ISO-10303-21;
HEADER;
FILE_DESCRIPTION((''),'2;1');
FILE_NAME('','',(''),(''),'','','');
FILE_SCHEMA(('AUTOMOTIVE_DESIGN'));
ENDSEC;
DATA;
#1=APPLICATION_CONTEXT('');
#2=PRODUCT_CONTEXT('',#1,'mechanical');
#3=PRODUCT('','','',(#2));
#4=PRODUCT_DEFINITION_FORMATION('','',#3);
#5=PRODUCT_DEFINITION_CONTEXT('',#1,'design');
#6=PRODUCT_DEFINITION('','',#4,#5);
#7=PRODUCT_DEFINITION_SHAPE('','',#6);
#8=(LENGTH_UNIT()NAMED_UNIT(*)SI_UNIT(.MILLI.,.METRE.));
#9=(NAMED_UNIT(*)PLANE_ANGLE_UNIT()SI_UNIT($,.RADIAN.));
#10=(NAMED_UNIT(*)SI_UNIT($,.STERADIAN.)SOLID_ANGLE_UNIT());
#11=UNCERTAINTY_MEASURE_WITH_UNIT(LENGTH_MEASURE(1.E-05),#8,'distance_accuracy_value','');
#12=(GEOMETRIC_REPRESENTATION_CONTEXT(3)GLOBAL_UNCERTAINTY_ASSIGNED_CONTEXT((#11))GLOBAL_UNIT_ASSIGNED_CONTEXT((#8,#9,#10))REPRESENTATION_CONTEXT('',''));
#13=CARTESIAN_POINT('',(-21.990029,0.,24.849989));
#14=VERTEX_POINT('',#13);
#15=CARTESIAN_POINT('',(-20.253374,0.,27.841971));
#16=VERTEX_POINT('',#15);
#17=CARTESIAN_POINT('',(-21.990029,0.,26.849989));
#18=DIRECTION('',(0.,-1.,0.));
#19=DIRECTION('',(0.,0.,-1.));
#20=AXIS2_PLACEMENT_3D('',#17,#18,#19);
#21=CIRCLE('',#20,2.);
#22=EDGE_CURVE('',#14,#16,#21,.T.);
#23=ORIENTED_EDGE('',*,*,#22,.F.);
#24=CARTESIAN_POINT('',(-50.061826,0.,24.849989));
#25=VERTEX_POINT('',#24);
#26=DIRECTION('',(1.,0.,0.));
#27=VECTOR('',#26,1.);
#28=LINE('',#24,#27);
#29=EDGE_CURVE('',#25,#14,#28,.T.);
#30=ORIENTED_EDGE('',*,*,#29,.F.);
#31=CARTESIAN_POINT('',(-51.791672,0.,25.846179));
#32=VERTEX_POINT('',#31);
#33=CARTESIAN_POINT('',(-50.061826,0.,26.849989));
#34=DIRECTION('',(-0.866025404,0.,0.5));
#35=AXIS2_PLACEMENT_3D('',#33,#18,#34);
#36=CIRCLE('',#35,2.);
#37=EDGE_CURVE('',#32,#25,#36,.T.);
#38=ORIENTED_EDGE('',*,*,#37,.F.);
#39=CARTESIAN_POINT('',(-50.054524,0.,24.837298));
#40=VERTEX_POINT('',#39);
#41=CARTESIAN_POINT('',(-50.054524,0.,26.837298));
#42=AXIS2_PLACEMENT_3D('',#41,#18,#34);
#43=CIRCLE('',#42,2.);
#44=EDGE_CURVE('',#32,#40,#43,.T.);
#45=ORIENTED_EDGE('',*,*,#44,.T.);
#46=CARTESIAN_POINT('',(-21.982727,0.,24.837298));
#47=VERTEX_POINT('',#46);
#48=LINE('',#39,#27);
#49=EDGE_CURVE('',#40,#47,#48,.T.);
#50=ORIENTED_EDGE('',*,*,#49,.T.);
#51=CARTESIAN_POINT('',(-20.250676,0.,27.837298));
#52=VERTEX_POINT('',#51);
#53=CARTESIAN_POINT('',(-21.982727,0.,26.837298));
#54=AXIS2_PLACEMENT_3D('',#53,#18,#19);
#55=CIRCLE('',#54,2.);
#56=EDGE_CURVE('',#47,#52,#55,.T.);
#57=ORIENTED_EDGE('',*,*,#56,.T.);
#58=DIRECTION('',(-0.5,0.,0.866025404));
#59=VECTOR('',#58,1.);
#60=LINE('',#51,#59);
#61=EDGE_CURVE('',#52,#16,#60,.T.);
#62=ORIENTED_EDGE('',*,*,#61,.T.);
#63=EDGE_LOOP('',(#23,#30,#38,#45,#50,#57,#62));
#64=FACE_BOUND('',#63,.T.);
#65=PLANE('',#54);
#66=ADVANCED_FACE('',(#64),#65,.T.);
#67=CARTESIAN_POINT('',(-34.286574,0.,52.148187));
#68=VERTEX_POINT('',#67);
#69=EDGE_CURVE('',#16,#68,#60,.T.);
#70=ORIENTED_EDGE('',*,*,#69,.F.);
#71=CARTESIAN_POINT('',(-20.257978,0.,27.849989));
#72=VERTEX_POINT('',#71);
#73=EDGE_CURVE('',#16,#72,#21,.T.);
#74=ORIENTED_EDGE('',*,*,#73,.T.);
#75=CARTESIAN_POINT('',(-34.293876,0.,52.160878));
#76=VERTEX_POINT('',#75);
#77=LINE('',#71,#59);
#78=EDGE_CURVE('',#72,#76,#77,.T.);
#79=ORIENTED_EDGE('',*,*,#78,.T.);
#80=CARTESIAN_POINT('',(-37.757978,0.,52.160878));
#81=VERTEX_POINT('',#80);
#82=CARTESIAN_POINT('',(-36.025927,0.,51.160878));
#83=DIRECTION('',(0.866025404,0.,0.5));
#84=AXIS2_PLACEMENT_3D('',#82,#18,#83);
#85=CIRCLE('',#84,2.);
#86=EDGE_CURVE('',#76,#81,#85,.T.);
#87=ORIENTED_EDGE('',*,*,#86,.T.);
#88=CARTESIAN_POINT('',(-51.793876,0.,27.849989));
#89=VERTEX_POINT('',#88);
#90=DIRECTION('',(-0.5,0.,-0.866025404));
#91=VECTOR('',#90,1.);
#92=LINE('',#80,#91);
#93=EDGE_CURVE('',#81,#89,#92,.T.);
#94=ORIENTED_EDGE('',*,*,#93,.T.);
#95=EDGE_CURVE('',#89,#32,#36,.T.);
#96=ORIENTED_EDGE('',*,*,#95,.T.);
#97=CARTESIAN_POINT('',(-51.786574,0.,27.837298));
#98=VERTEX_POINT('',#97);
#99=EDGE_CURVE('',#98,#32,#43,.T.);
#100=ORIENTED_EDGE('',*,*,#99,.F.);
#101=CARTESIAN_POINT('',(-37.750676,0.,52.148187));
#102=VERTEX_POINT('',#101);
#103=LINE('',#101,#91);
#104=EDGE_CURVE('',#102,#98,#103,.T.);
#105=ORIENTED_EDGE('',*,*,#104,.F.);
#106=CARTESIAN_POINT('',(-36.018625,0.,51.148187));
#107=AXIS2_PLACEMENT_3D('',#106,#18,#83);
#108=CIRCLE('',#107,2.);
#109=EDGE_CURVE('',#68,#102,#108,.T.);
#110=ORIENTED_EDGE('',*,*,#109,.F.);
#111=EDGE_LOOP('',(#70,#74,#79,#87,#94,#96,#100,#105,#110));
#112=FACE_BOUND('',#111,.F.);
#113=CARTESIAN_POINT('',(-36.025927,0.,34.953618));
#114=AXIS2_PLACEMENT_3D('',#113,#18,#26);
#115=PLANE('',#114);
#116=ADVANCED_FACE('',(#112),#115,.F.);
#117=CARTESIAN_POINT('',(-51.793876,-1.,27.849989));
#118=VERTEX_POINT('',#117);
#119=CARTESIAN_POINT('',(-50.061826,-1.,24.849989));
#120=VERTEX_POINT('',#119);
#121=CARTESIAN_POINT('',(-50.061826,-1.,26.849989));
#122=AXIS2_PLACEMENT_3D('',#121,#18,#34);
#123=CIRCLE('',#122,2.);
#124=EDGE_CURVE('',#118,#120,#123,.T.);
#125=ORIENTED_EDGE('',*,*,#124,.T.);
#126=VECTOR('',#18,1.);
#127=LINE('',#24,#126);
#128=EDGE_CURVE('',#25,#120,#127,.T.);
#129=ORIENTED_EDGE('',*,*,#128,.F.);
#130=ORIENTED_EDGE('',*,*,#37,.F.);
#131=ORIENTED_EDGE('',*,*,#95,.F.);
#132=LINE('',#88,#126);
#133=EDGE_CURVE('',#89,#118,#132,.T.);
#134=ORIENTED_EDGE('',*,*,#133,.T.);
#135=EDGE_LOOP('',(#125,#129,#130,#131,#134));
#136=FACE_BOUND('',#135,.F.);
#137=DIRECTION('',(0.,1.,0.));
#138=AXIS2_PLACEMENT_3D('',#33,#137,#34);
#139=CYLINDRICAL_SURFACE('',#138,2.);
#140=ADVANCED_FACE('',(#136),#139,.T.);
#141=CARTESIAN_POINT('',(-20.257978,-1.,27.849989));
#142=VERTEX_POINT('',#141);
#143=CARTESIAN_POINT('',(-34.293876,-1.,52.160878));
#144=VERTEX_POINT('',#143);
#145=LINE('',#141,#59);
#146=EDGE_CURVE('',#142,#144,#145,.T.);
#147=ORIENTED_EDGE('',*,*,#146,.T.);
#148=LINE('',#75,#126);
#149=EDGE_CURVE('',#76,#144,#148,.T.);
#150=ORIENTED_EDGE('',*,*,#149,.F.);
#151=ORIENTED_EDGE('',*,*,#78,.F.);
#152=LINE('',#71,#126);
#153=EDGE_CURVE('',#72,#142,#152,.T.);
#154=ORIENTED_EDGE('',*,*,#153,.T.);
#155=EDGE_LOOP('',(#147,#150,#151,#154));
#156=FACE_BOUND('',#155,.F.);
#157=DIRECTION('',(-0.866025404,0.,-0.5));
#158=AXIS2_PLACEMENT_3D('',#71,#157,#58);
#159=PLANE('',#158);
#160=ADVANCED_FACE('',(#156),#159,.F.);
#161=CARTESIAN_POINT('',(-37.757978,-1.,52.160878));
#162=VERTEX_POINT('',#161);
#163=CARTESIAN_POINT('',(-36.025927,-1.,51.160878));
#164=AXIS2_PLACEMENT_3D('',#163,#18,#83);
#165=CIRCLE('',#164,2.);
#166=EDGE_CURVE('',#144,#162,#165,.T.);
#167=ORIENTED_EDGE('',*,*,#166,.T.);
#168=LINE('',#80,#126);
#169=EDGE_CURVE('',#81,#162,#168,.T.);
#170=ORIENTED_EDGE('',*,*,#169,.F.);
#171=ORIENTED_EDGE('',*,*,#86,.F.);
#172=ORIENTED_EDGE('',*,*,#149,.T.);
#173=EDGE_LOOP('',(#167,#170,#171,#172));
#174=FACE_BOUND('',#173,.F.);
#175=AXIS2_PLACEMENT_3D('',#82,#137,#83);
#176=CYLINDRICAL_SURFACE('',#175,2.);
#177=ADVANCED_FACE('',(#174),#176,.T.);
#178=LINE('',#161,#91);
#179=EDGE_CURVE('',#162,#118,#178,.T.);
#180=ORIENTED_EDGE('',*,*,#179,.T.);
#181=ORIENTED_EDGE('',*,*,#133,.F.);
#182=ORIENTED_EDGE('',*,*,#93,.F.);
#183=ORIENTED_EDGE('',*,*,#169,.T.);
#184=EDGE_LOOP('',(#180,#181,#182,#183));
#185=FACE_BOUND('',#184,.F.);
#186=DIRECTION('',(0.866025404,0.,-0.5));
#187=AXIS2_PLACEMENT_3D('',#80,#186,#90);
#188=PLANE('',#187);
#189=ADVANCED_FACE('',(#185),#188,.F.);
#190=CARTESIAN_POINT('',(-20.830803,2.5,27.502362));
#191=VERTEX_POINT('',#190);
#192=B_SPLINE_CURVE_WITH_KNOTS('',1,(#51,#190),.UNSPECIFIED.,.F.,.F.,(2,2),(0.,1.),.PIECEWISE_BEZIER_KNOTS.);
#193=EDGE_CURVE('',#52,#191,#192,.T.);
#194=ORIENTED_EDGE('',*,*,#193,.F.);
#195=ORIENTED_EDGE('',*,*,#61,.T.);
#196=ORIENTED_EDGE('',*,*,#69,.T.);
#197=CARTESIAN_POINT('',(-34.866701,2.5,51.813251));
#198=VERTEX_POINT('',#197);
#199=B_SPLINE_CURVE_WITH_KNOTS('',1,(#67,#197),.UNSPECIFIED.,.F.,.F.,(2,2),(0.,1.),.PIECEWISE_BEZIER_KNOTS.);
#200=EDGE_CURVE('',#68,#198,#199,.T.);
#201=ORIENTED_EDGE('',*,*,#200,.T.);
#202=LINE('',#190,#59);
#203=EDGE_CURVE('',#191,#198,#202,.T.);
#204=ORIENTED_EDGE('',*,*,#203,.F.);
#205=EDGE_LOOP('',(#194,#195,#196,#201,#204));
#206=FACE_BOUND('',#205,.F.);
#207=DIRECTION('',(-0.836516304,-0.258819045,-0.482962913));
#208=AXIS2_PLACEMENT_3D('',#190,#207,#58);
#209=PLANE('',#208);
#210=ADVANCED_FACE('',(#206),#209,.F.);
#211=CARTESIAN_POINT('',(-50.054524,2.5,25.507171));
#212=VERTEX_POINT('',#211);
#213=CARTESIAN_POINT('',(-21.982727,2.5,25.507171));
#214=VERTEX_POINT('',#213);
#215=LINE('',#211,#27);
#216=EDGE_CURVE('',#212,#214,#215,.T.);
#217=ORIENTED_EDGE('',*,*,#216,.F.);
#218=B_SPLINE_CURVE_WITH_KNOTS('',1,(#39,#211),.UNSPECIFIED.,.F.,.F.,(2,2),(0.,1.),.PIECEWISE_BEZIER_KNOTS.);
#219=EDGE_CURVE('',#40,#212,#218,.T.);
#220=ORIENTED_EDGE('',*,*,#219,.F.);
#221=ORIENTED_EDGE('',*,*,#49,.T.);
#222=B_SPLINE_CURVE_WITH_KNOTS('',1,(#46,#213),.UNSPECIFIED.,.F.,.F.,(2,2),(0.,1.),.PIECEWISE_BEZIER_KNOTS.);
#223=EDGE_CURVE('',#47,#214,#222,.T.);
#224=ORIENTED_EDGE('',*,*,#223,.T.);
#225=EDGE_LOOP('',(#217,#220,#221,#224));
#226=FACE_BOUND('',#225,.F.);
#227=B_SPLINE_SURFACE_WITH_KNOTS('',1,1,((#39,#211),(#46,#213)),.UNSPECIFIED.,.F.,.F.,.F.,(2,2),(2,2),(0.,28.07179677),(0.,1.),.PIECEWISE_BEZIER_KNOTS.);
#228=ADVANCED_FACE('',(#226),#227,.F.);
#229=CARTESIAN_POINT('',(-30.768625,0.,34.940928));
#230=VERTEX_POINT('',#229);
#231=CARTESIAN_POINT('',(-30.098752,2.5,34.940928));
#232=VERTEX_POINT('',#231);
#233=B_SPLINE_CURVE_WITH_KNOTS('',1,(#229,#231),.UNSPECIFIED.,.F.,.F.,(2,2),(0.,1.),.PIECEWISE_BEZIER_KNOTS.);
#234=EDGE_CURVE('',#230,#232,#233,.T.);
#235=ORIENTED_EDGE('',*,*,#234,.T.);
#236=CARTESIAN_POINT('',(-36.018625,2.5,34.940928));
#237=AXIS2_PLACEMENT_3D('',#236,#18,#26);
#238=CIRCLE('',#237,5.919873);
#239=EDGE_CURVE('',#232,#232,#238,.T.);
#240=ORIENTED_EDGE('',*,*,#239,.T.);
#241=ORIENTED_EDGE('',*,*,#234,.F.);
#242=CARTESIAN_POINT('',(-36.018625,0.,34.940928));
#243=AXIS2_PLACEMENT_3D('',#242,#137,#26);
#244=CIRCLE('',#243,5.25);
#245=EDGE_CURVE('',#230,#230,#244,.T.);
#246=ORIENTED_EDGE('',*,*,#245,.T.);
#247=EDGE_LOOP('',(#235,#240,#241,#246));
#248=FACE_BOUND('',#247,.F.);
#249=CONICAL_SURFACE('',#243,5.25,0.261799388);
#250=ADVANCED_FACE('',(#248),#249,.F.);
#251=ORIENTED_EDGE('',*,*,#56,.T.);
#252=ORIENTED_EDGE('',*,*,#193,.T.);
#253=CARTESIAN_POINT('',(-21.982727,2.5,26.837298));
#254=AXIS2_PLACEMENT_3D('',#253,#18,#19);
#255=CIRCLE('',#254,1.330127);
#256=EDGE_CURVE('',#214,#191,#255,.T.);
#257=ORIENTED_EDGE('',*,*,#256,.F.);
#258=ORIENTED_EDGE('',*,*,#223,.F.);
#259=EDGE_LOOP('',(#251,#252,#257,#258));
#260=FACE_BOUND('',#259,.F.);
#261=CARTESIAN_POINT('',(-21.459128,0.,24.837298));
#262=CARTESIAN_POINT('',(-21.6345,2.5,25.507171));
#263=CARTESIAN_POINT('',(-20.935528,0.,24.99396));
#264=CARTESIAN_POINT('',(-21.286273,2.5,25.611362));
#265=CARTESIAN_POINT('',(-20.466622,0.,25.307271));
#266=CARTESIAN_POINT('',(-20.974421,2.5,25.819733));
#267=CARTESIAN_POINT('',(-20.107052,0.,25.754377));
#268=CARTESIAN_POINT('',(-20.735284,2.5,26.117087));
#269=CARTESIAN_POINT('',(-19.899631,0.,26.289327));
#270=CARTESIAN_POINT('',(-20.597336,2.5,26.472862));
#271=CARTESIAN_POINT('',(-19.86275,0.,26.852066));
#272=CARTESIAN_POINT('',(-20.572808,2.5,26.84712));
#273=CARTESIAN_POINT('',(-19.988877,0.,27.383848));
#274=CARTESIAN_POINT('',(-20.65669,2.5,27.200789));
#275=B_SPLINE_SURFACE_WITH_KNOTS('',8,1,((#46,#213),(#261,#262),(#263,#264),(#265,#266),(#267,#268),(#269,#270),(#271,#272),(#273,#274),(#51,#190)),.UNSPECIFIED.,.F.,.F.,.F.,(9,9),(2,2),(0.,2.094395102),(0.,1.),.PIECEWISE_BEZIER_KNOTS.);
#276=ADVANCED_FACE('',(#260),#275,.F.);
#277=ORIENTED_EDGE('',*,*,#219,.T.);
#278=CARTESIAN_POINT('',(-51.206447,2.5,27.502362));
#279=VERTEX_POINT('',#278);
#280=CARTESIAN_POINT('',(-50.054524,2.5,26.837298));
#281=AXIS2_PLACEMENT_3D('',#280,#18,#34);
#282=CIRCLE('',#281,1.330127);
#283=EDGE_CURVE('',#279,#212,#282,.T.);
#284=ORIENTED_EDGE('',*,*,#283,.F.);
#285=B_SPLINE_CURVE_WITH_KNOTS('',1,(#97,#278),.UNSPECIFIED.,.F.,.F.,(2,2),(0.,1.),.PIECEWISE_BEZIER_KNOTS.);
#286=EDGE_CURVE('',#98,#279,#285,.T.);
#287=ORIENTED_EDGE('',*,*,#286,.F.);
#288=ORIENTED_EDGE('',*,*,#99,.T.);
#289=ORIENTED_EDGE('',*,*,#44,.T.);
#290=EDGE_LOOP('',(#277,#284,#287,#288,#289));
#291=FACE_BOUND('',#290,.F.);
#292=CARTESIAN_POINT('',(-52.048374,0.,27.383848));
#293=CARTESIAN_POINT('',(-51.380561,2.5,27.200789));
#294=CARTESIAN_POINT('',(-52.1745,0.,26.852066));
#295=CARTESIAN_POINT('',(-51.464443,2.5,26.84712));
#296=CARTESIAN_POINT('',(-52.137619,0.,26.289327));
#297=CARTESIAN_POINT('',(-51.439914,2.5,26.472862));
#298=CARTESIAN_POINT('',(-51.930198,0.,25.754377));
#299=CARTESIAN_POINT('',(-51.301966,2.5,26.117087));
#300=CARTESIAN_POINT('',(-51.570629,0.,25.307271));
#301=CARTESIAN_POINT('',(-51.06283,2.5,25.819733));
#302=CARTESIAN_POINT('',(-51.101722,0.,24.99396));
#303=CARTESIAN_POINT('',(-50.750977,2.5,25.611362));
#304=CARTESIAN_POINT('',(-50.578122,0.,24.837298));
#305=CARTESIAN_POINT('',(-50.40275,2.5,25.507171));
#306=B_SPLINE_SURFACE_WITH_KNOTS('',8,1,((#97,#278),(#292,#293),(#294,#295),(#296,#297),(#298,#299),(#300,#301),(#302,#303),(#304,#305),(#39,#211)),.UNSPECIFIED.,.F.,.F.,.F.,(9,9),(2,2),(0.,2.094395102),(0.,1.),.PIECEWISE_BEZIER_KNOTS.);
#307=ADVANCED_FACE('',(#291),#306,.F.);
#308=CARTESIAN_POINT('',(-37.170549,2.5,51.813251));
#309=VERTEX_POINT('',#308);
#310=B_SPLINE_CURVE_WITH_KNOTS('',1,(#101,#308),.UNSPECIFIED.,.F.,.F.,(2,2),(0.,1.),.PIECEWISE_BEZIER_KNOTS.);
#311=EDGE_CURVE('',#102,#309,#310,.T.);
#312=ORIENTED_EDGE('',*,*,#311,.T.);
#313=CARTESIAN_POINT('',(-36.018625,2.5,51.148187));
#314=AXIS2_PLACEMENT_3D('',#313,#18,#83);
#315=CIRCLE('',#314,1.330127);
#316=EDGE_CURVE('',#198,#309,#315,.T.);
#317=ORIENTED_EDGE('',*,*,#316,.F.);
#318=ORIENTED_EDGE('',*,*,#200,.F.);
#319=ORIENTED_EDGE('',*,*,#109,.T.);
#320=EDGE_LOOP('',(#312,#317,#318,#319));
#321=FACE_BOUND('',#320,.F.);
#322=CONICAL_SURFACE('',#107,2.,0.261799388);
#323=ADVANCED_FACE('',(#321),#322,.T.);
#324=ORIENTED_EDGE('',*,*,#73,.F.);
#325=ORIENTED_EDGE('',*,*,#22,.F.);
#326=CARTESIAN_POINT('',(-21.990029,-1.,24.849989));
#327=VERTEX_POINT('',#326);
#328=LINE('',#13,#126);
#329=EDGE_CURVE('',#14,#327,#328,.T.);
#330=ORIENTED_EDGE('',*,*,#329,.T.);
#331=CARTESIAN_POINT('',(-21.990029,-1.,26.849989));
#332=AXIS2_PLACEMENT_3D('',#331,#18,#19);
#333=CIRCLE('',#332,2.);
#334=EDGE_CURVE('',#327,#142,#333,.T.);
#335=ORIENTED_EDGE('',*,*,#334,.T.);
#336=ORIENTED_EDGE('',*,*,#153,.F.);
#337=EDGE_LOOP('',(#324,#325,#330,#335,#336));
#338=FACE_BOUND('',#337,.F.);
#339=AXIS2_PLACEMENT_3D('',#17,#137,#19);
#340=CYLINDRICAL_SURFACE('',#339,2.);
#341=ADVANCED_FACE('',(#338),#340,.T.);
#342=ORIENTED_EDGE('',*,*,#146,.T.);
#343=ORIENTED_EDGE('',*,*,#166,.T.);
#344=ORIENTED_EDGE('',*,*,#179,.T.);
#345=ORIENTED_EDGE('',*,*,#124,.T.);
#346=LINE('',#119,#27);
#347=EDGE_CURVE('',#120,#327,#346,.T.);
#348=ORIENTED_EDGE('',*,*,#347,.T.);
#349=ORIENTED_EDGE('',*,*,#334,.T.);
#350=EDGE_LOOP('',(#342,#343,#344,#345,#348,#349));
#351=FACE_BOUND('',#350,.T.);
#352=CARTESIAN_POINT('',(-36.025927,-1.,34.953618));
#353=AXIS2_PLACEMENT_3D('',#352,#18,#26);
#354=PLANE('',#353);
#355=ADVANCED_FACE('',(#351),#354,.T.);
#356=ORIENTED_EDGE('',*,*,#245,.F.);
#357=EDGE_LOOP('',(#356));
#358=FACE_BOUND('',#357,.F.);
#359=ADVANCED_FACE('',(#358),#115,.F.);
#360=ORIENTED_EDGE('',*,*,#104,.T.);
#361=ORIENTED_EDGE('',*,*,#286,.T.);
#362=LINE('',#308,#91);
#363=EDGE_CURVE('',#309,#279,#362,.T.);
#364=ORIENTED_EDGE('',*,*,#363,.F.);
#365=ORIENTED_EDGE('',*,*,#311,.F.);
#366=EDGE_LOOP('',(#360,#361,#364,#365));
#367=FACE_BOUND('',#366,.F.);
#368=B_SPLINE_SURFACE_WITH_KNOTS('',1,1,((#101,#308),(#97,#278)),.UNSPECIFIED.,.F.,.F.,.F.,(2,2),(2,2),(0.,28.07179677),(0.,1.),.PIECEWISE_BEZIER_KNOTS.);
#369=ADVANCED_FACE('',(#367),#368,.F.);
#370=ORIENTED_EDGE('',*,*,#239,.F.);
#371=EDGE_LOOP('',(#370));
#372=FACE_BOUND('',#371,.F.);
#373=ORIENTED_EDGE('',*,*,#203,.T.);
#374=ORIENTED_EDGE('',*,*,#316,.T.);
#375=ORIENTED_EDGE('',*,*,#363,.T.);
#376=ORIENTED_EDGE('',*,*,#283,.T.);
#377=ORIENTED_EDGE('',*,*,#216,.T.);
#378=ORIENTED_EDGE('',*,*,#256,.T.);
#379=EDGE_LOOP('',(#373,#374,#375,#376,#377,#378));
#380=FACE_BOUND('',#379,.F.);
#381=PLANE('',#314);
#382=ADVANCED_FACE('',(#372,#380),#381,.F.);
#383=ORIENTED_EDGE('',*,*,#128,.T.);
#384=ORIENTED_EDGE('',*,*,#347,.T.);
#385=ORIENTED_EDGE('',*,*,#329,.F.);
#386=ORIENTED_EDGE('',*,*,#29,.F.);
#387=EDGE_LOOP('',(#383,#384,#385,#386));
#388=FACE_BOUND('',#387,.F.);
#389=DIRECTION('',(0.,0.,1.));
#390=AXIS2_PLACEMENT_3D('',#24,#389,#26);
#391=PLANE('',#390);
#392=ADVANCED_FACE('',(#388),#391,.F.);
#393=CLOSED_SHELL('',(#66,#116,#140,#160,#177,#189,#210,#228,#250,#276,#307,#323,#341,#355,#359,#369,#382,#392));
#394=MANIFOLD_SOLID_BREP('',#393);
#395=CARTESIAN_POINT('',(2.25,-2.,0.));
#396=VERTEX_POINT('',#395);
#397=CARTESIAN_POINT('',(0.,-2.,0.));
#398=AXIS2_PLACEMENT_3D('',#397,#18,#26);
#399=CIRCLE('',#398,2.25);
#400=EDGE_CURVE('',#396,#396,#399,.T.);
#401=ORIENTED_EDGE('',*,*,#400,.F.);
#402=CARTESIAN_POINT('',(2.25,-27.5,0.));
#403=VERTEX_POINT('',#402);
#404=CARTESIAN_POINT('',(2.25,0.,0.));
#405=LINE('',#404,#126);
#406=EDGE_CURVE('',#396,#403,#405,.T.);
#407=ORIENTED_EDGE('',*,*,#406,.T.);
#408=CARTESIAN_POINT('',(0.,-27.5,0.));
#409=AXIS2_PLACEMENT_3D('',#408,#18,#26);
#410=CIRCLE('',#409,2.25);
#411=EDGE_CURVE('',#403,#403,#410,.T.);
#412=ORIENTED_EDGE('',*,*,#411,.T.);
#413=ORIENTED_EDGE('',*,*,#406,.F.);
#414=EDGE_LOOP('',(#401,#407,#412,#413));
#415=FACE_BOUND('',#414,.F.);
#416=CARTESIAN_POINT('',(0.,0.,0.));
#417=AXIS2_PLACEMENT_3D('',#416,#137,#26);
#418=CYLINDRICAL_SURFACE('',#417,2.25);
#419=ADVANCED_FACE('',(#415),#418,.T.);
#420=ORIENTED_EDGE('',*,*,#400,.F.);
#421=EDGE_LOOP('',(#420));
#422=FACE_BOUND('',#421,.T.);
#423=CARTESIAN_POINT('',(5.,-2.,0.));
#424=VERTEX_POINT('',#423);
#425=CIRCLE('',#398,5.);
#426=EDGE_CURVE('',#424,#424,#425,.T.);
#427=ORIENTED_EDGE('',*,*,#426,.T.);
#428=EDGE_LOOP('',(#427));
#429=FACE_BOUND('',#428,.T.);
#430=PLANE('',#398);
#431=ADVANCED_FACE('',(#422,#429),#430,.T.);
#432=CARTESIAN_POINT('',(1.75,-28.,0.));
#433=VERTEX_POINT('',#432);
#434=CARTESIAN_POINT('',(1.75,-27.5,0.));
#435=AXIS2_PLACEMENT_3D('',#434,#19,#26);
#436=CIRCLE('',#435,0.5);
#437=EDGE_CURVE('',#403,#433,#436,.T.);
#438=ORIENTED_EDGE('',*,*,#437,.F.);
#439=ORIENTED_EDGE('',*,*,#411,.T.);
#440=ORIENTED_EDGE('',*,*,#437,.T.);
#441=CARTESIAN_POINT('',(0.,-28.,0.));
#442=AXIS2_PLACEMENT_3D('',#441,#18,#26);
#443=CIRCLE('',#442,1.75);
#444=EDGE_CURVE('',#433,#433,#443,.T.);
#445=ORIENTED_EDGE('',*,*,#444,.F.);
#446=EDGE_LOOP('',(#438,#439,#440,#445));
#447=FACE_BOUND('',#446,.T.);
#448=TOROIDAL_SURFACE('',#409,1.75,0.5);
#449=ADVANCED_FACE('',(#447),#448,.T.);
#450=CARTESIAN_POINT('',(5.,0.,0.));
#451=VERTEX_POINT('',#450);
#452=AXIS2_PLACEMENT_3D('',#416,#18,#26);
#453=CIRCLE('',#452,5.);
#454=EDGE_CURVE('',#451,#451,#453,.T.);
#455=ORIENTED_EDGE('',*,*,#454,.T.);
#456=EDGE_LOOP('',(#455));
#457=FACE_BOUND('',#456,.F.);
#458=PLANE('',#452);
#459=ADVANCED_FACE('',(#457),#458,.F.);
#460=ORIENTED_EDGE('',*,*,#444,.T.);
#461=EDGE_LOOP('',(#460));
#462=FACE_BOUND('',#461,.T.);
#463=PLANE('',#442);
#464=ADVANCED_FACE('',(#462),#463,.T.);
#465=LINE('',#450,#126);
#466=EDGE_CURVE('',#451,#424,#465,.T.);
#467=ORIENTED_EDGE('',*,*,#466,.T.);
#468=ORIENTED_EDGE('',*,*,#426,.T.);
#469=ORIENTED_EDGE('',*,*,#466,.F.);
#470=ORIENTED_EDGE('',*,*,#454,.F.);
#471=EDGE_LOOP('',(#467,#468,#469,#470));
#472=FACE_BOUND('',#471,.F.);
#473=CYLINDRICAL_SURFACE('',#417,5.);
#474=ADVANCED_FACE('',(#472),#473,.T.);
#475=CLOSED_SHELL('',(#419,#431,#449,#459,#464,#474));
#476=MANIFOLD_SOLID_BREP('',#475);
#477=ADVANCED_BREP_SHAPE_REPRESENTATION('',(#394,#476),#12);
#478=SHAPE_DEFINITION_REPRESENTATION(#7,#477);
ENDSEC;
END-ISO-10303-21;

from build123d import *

# Parameters (mm, degrees)
F0_R     = 2.25
F1_DEPTH = 28
F0_R_2   = 5
F2_DEPTH = 2
F3_R     = 0.5
F4_R     = 5.25
F5_DEPTH = 2.5
F5_TAPER = 15
F7_DEPTH = 1


with BuildPart() as f1:
    # F0 (on Front) → F1 (new body)
    with BuildSketch(Plane.XZ):
        Circle(F0_R)
    extrude(amount=F1_DEPTH)

    # F0 (on Front) → F2 (join)
    with BuildSketch(Plane.XZ):
        Circle(F0_R_2)
        Circle(F0_R, mode=Mode.SUBTRACT)
    extrude(amount=F2_DEPTH)

    # F3
    f3_edges = [f1.edges().sort_by_distance(p)[0] for p in [
        (-2.25, -28, 0),
    ]]
    fillet(f3_edges, radius=F3_R)


with BuildPart() as f5:
    # F4 (on Front) → F5 (new body)
    with BuildSketch(Plane.XZ):
        with BuildLine():
            Line((-20.2506759399, 27.8372983187), (-34.2865743248, 52.1481874512))
            ThreePointArc((-34.2865743248, 52.1481874512), (-36.0186251323, 53.1481874512), (-37.7506759399, 52.1481874512))
            Line((-37.7506759399, 52.1481874512), (-51.7865743248, 27.8372983187))
            ThreePointArc((-51.7865743248, 27.8372983187), (-51.7865743248, 25.8372983187), (-50.0545235172, 24.8372983187))
            Line((-50.0545235172, 24.8372983187), (-21.9827267475, 24.8372983187))
            ThreePointArc((-21.9827267475, 24.8372983187), (-20.2506759399, 25.8372983187), (-20.2506759399, 27.8372983187))
        make_face()
        with Locations((-36.0186251323, 34.9409280296)):
            Circle(F4_R, mode=Mode.SUBTRACT)
    extrude(amount=-F5_DEPTH, taper=F5_TAPER)

    # F6 (on Front) → F7 (join)
    with BuildSketch(Plane.XZ):
        with BuildLine():
            ThreePointArc((-34.2938764173, 52.1608777881), (-36.0259272249, 53.1608777881), (-37.7579780324, 52.1608777881))
            Line((-37.7579780324, 52.1608777881), (-51.7938764173, 27.8499886557))
            ThreePointArc((-51.7938764173, 27.8499886557), (-51.7938764173, 25.8499886557), (-50.0618256097, 24.8499886557))
            Line((-50.0618256097, 24.8499886557), (-21.99002884, 24.8499886557))
            ThreePointArc((-21.99002884, 24.8499886557), (-20.2579780324, 25.8499886557), (-20.2579780324, 27.8499886557))
            Line((-20.2579780324, 27.8499886557), (-34.2938764173, 52.1608777881))
        make_face()
    extrude(amount=F7_DEPTH)


solid = Compound([f1.part, f5.part])
